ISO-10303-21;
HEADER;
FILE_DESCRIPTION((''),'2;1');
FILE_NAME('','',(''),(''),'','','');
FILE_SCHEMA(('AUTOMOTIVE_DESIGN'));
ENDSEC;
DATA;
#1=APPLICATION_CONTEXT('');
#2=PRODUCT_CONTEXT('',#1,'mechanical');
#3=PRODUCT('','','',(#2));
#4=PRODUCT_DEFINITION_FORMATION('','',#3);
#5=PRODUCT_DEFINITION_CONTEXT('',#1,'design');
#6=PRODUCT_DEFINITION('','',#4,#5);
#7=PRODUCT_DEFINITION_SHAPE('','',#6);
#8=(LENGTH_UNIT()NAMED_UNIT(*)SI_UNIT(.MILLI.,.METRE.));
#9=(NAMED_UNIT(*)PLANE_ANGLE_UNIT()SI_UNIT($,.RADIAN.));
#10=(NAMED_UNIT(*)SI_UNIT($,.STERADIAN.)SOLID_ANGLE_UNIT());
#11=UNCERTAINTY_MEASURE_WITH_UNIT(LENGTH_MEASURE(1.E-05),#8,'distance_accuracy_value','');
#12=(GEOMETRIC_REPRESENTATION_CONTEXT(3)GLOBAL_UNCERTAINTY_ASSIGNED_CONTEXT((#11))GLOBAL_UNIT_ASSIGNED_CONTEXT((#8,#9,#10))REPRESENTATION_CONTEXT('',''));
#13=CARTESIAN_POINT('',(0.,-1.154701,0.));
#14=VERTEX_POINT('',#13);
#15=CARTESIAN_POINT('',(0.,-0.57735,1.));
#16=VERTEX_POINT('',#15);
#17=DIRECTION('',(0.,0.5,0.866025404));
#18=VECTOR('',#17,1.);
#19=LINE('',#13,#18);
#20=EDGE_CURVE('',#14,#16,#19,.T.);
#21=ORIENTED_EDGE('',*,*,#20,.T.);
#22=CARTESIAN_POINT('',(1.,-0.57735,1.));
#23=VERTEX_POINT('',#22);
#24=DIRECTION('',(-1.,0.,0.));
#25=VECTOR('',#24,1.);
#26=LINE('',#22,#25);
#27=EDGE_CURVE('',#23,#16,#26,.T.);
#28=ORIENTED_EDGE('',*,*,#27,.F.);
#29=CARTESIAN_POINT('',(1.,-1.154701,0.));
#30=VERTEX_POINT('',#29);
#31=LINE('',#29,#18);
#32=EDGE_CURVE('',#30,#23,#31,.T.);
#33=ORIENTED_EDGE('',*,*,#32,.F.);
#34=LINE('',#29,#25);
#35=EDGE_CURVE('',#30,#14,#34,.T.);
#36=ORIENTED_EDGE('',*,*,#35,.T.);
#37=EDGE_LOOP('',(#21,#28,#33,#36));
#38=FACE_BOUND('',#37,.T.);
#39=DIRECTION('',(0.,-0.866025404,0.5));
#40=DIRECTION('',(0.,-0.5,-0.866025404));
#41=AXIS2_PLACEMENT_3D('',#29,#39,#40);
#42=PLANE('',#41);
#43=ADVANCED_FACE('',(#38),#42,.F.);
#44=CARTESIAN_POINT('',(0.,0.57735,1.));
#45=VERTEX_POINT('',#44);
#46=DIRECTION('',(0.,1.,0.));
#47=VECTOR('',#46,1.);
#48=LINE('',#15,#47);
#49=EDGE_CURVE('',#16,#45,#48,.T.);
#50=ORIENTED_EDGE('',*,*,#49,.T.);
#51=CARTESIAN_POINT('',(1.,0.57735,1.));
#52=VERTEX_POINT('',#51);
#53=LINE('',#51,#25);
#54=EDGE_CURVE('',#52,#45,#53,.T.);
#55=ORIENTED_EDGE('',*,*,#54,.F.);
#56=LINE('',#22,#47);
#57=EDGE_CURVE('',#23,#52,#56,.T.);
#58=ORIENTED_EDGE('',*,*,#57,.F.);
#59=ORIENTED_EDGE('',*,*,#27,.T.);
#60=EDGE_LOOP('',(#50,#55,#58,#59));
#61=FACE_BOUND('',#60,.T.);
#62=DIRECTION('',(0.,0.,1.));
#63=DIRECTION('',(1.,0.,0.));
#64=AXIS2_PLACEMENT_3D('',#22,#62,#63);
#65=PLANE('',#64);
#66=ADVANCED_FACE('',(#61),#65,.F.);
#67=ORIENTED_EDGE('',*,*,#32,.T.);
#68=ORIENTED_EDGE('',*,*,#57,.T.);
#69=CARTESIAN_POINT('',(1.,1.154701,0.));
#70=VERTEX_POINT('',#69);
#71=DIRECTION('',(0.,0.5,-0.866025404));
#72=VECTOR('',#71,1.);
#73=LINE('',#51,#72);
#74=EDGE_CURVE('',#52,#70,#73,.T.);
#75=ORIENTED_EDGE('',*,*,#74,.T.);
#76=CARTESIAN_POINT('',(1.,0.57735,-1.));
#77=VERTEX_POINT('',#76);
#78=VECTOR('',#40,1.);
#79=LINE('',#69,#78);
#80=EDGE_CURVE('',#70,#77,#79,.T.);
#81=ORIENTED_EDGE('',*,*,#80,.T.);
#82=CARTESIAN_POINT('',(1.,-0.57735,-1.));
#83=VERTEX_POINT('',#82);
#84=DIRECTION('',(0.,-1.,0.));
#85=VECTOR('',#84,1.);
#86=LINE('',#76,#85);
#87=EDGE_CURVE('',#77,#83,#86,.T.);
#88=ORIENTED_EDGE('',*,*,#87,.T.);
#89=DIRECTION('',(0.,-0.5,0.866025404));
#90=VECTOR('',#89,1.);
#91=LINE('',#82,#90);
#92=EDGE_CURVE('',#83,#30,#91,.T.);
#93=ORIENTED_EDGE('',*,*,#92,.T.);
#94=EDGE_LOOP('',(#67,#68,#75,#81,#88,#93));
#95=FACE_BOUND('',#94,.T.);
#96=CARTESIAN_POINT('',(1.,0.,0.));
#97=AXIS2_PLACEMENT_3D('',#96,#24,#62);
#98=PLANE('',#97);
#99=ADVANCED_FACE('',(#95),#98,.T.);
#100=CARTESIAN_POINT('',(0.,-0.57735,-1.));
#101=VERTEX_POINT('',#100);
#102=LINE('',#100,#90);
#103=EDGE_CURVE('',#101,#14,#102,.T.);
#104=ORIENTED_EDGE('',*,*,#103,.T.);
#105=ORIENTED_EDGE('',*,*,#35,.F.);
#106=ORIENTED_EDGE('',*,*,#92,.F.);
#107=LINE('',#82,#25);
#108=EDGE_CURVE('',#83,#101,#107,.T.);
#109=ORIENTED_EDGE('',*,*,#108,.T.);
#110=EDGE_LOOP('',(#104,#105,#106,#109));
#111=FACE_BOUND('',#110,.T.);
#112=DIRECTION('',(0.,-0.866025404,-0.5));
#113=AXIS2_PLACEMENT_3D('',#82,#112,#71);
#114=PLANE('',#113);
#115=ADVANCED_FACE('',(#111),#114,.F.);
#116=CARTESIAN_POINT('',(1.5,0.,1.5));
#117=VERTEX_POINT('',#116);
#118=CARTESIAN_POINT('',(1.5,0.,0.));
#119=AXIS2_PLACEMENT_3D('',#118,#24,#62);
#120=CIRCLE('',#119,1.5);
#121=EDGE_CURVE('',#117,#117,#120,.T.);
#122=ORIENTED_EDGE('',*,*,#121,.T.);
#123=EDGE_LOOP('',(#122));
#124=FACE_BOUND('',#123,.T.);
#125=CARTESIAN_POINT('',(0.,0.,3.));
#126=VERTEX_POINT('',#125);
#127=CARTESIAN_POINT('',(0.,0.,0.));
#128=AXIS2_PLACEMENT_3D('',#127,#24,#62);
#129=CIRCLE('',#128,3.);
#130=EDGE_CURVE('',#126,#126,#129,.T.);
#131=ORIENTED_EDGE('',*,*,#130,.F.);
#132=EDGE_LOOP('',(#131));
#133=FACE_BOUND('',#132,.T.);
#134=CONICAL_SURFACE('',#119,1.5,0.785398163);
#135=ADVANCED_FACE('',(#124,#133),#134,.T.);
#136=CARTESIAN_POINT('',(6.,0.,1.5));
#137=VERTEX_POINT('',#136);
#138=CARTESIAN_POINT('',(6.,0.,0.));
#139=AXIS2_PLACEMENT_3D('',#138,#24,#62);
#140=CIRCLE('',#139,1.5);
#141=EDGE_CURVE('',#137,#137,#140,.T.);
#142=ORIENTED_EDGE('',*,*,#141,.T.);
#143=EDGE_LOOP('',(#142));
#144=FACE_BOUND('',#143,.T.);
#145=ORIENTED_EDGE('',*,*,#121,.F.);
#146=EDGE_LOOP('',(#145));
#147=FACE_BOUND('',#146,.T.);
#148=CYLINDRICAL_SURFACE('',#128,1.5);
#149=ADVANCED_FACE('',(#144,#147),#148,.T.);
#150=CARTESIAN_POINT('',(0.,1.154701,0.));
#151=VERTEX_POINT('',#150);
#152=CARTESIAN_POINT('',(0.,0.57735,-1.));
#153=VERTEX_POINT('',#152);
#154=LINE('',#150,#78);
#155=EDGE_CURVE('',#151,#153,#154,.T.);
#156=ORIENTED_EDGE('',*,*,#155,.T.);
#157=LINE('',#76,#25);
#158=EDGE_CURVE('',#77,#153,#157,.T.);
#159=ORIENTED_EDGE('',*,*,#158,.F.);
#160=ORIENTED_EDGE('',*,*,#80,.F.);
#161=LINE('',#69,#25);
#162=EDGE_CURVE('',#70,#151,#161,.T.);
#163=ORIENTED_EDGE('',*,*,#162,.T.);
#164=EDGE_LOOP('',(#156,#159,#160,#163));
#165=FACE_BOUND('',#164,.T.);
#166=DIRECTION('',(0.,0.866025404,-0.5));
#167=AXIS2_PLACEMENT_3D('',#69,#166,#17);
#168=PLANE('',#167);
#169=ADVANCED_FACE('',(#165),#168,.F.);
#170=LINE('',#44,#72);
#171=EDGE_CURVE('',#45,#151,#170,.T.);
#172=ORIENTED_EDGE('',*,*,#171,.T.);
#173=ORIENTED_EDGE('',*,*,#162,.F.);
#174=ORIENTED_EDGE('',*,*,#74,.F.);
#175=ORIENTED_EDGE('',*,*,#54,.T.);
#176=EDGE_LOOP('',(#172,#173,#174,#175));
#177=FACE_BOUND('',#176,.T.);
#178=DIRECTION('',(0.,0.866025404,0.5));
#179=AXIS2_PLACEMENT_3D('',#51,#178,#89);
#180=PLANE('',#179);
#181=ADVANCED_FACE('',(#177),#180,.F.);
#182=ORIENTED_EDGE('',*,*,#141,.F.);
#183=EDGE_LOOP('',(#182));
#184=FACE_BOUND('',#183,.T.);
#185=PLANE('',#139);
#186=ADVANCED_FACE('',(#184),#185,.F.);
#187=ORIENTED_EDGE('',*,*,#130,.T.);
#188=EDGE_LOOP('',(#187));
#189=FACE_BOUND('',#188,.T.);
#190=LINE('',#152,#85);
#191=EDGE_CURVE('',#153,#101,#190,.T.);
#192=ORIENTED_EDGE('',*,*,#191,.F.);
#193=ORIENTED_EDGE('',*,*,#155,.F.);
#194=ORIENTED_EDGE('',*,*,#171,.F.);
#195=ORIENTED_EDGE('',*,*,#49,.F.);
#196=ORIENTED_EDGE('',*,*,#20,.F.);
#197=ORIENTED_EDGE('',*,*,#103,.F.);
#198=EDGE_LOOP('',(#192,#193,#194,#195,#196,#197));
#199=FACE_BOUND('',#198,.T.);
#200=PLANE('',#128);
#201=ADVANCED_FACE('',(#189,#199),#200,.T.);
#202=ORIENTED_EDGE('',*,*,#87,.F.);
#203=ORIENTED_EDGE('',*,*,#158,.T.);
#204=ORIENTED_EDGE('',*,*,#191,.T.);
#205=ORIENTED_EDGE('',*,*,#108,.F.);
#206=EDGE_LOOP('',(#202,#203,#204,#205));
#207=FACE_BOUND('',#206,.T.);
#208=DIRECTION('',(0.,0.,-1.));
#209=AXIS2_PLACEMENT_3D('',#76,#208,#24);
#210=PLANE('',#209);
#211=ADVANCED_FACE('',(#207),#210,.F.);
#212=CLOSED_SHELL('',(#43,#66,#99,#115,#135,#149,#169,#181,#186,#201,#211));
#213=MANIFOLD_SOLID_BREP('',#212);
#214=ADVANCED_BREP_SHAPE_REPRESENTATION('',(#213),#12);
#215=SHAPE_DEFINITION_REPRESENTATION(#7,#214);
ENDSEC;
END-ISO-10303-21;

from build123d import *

# Parameters (mm, degrees)
CUT_EXTRUDE_1_DEPTH = 1


with BuildPart() as part:
    # 草图1 → 旋转1 (revolve)
    with BuildSketch(Plane.XY, mode=Mode.PRIVATE) as revolve_1_sk:
        Polygon((0, 0), (0, 3), (1.5, 1.5), (6, 1.5), (6, 0), align=None)
    revolve(revolve_1_sk.sketch.rotate(Axis((0, 0, 0), (1, 0, 0)), 90), axis=Axis((0, 0, 0), (1, 0, 0)))

    # 草图2 → 切除-拉伸1 (cut)
    with BuildSketch(Plane.ZY):
        Polygon((0, 1.154700538), (-1, 0.577350269), (-1, -0.577350269), (0, -1.154700538), (1, -0.577350269), (1, 0.577350269), align=None)
    extrude(amount=-CUT_EXTRUDE_1_DEPTH, mode=Mode.SUBTRACT)


solid = part.part
